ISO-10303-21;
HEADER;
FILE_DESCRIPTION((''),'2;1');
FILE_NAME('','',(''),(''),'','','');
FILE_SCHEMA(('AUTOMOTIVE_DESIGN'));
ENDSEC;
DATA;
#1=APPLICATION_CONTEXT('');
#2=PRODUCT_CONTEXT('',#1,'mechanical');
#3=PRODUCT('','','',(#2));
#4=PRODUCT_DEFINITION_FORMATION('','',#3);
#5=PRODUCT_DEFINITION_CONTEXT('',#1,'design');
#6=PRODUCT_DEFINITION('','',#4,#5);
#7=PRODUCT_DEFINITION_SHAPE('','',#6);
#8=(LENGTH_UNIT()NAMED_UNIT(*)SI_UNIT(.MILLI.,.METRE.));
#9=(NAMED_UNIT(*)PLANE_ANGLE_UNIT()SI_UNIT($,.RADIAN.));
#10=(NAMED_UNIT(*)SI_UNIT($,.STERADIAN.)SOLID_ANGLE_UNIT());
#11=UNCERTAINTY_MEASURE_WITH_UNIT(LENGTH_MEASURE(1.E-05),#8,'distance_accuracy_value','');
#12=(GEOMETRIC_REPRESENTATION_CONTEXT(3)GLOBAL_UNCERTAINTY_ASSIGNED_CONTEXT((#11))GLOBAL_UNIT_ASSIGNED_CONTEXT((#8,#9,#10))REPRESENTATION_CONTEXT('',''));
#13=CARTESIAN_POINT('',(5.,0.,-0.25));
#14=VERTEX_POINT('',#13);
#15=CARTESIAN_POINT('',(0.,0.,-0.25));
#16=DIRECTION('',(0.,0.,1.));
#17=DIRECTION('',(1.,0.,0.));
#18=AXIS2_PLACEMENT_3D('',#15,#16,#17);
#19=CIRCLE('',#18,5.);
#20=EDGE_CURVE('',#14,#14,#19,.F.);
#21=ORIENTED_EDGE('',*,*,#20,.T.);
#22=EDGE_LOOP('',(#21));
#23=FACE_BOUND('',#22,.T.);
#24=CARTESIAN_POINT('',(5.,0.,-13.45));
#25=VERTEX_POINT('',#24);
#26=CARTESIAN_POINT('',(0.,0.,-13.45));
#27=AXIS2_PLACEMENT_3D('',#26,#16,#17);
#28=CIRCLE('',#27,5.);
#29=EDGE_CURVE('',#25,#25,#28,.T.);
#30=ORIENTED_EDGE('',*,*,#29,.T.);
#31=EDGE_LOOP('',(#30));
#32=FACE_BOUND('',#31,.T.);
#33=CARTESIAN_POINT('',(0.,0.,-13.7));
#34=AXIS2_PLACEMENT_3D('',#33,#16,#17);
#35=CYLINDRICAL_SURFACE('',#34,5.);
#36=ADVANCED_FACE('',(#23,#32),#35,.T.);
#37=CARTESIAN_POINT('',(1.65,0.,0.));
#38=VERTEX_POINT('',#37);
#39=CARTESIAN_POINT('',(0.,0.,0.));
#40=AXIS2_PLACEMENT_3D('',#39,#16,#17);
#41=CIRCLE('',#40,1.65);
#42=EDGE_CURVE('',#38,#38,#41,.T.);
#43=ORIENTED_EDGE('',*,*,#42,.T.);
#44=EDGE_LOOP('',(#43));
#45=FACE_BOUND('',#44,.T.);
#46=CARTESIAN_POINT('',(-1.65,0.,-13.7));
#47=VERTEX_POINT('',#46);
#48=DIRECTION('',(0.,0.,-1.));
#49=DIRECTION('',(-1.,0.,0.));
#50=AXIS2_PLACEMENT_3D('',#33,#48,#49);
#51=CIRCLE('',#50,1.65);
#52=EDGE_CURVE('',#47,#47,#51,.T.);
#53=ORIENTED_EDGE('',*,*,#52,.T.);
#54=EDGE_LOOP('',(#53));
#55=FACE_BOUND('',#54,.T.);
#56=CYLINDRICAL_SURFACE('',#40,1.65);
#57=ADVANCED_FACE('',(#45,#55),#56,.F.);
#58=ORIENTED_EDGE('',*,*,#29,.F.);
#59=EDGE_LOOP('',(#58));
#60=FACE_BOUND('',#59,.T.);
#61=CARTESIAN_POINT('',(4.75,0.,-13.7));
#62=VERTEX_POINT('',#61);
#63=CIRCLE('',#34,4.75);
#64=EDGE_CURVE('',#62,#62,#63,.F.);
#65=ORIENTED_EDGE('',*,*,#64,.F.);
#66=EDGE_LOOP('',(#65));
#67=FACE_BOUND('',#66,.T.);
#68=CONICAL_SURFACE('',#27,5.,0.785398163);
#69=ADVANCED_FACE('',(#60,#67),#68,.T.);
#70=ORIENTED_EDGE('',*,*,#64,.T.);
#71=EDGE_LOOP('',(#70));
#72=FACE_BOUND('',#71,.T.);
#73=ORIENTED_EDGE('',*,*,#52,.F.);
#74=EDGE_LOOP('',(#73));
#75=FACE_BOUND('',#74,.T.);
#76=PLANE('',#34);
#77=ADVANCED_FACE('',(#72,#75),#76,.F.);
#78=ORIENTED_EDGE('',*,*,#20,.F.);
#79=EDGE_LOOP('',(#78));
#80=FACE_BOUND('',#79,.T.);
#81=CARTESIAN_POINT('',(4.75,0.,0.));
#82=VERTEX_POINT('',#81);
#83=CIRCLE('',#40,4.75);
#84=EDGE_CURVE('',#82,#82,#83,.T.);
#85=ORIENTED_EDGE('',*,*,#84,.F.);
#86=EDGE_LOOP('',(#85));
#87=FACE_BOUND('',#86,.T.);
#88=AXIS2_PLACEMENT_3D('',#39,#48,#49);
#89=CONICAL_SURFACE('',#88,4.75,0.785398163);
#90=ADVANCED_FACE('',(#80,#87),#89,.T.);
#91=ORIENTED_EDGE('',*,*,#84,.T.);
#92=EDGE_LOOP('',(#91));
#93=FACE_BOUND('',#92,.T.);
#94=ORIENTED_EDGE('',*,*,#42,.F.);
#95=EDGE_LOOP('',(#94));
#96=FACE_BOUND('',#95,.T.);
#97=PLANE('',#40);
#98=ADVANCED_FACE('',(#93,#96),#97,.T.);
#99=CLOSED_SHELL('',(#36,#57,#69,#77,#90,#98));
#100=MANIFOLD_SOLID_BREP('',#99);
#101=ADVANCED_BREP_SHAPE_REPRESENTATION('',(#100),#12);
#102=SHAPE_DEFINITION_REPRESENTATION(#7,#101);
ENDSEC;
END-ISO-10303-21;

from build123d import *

# Parameters (mm, degrees)
SKETCH1_R                 = 5
EXTRUDE1_DEPTH            = 13.7
M4X0_7_TAPPED_HOLE1_D     = 3.3
M4X0_7_TAPPED_HOLE1_DEPTH = 10
M4X0_7_TAPPED_HOLE1_TIP   = 0.991420021
M4X0_7_TAPPED_HOLE2_D     = 3.3
M4X0_7_TAPPED_HOLE2_DEPTH = 10
M4X0_7_TAPPED_HOLE2_TIP   = 0.991420021
CHAMFER1_SIZE             = 0.25


with BuildPart() as part:
    # Sketch1 → Extrude1 (new body)
    with BuildSketch(Plane.XY):
        Circle(SKETCH1_R)
    extrude(amount=-EXTRUDE1_DEPTH)

    # M4x0.7 Tapped Hole1
    with Locations(Plane.XY):
        with Locations((0, 0)):
            Hole(M4X0_7_TAPPED_HOLE1_D / 2, depth=M4X0_7_TAPPED_HOLE1_DEPTH)
            with Locations((0, 0, -(M4X0_7_TAPPED_HOLE1_DEPTH + M4X0_7_TAPPED_HOLE1_TIP / 2))):  # 118° drill point
                Cone(0, M4X0_7_TAPPED_HOLE1_D / 2, M4X0_7_TAPPED_HOLE1_TIP, mode=Mode.SUBTRACT)

    # M4x0.7 Tapped Hole2
    with Locations(Plane(origin=(0, 0, -13.7), x_dir=(-1, 0, 0), z_dir=(0, 0, -1))):
        with Locations((0, 0)):
            Hole(M4X0_7_TAPPED_HOLE2_D / 2, depth=M4X0_7_TAPPED_HOLE2_DEPTH)
            with Locations((0, 0, -(M4X0_7_TAPPED_HOLE2_DEPTH + M4X0_7_TAPPED_HOLE2_TIP / 2))):  # 118° drill point
                Cone(0, M4X0_7_TAPPED_HOLE2_D / 2, M4X0_7_TAPPED_HOLE2_TIP, mode=Mode.SUBTRACT)

    # Chamfer1
    chamfer1_edges = [part.edges().sort_by_distance(p)[0] for p in [
        (-5, 0, 0),
        (-5, 0, -13.7),
    ]]
    chamfer(chamfer1_edges, length=CHAMFER1_SIZE)


solid = part.part
